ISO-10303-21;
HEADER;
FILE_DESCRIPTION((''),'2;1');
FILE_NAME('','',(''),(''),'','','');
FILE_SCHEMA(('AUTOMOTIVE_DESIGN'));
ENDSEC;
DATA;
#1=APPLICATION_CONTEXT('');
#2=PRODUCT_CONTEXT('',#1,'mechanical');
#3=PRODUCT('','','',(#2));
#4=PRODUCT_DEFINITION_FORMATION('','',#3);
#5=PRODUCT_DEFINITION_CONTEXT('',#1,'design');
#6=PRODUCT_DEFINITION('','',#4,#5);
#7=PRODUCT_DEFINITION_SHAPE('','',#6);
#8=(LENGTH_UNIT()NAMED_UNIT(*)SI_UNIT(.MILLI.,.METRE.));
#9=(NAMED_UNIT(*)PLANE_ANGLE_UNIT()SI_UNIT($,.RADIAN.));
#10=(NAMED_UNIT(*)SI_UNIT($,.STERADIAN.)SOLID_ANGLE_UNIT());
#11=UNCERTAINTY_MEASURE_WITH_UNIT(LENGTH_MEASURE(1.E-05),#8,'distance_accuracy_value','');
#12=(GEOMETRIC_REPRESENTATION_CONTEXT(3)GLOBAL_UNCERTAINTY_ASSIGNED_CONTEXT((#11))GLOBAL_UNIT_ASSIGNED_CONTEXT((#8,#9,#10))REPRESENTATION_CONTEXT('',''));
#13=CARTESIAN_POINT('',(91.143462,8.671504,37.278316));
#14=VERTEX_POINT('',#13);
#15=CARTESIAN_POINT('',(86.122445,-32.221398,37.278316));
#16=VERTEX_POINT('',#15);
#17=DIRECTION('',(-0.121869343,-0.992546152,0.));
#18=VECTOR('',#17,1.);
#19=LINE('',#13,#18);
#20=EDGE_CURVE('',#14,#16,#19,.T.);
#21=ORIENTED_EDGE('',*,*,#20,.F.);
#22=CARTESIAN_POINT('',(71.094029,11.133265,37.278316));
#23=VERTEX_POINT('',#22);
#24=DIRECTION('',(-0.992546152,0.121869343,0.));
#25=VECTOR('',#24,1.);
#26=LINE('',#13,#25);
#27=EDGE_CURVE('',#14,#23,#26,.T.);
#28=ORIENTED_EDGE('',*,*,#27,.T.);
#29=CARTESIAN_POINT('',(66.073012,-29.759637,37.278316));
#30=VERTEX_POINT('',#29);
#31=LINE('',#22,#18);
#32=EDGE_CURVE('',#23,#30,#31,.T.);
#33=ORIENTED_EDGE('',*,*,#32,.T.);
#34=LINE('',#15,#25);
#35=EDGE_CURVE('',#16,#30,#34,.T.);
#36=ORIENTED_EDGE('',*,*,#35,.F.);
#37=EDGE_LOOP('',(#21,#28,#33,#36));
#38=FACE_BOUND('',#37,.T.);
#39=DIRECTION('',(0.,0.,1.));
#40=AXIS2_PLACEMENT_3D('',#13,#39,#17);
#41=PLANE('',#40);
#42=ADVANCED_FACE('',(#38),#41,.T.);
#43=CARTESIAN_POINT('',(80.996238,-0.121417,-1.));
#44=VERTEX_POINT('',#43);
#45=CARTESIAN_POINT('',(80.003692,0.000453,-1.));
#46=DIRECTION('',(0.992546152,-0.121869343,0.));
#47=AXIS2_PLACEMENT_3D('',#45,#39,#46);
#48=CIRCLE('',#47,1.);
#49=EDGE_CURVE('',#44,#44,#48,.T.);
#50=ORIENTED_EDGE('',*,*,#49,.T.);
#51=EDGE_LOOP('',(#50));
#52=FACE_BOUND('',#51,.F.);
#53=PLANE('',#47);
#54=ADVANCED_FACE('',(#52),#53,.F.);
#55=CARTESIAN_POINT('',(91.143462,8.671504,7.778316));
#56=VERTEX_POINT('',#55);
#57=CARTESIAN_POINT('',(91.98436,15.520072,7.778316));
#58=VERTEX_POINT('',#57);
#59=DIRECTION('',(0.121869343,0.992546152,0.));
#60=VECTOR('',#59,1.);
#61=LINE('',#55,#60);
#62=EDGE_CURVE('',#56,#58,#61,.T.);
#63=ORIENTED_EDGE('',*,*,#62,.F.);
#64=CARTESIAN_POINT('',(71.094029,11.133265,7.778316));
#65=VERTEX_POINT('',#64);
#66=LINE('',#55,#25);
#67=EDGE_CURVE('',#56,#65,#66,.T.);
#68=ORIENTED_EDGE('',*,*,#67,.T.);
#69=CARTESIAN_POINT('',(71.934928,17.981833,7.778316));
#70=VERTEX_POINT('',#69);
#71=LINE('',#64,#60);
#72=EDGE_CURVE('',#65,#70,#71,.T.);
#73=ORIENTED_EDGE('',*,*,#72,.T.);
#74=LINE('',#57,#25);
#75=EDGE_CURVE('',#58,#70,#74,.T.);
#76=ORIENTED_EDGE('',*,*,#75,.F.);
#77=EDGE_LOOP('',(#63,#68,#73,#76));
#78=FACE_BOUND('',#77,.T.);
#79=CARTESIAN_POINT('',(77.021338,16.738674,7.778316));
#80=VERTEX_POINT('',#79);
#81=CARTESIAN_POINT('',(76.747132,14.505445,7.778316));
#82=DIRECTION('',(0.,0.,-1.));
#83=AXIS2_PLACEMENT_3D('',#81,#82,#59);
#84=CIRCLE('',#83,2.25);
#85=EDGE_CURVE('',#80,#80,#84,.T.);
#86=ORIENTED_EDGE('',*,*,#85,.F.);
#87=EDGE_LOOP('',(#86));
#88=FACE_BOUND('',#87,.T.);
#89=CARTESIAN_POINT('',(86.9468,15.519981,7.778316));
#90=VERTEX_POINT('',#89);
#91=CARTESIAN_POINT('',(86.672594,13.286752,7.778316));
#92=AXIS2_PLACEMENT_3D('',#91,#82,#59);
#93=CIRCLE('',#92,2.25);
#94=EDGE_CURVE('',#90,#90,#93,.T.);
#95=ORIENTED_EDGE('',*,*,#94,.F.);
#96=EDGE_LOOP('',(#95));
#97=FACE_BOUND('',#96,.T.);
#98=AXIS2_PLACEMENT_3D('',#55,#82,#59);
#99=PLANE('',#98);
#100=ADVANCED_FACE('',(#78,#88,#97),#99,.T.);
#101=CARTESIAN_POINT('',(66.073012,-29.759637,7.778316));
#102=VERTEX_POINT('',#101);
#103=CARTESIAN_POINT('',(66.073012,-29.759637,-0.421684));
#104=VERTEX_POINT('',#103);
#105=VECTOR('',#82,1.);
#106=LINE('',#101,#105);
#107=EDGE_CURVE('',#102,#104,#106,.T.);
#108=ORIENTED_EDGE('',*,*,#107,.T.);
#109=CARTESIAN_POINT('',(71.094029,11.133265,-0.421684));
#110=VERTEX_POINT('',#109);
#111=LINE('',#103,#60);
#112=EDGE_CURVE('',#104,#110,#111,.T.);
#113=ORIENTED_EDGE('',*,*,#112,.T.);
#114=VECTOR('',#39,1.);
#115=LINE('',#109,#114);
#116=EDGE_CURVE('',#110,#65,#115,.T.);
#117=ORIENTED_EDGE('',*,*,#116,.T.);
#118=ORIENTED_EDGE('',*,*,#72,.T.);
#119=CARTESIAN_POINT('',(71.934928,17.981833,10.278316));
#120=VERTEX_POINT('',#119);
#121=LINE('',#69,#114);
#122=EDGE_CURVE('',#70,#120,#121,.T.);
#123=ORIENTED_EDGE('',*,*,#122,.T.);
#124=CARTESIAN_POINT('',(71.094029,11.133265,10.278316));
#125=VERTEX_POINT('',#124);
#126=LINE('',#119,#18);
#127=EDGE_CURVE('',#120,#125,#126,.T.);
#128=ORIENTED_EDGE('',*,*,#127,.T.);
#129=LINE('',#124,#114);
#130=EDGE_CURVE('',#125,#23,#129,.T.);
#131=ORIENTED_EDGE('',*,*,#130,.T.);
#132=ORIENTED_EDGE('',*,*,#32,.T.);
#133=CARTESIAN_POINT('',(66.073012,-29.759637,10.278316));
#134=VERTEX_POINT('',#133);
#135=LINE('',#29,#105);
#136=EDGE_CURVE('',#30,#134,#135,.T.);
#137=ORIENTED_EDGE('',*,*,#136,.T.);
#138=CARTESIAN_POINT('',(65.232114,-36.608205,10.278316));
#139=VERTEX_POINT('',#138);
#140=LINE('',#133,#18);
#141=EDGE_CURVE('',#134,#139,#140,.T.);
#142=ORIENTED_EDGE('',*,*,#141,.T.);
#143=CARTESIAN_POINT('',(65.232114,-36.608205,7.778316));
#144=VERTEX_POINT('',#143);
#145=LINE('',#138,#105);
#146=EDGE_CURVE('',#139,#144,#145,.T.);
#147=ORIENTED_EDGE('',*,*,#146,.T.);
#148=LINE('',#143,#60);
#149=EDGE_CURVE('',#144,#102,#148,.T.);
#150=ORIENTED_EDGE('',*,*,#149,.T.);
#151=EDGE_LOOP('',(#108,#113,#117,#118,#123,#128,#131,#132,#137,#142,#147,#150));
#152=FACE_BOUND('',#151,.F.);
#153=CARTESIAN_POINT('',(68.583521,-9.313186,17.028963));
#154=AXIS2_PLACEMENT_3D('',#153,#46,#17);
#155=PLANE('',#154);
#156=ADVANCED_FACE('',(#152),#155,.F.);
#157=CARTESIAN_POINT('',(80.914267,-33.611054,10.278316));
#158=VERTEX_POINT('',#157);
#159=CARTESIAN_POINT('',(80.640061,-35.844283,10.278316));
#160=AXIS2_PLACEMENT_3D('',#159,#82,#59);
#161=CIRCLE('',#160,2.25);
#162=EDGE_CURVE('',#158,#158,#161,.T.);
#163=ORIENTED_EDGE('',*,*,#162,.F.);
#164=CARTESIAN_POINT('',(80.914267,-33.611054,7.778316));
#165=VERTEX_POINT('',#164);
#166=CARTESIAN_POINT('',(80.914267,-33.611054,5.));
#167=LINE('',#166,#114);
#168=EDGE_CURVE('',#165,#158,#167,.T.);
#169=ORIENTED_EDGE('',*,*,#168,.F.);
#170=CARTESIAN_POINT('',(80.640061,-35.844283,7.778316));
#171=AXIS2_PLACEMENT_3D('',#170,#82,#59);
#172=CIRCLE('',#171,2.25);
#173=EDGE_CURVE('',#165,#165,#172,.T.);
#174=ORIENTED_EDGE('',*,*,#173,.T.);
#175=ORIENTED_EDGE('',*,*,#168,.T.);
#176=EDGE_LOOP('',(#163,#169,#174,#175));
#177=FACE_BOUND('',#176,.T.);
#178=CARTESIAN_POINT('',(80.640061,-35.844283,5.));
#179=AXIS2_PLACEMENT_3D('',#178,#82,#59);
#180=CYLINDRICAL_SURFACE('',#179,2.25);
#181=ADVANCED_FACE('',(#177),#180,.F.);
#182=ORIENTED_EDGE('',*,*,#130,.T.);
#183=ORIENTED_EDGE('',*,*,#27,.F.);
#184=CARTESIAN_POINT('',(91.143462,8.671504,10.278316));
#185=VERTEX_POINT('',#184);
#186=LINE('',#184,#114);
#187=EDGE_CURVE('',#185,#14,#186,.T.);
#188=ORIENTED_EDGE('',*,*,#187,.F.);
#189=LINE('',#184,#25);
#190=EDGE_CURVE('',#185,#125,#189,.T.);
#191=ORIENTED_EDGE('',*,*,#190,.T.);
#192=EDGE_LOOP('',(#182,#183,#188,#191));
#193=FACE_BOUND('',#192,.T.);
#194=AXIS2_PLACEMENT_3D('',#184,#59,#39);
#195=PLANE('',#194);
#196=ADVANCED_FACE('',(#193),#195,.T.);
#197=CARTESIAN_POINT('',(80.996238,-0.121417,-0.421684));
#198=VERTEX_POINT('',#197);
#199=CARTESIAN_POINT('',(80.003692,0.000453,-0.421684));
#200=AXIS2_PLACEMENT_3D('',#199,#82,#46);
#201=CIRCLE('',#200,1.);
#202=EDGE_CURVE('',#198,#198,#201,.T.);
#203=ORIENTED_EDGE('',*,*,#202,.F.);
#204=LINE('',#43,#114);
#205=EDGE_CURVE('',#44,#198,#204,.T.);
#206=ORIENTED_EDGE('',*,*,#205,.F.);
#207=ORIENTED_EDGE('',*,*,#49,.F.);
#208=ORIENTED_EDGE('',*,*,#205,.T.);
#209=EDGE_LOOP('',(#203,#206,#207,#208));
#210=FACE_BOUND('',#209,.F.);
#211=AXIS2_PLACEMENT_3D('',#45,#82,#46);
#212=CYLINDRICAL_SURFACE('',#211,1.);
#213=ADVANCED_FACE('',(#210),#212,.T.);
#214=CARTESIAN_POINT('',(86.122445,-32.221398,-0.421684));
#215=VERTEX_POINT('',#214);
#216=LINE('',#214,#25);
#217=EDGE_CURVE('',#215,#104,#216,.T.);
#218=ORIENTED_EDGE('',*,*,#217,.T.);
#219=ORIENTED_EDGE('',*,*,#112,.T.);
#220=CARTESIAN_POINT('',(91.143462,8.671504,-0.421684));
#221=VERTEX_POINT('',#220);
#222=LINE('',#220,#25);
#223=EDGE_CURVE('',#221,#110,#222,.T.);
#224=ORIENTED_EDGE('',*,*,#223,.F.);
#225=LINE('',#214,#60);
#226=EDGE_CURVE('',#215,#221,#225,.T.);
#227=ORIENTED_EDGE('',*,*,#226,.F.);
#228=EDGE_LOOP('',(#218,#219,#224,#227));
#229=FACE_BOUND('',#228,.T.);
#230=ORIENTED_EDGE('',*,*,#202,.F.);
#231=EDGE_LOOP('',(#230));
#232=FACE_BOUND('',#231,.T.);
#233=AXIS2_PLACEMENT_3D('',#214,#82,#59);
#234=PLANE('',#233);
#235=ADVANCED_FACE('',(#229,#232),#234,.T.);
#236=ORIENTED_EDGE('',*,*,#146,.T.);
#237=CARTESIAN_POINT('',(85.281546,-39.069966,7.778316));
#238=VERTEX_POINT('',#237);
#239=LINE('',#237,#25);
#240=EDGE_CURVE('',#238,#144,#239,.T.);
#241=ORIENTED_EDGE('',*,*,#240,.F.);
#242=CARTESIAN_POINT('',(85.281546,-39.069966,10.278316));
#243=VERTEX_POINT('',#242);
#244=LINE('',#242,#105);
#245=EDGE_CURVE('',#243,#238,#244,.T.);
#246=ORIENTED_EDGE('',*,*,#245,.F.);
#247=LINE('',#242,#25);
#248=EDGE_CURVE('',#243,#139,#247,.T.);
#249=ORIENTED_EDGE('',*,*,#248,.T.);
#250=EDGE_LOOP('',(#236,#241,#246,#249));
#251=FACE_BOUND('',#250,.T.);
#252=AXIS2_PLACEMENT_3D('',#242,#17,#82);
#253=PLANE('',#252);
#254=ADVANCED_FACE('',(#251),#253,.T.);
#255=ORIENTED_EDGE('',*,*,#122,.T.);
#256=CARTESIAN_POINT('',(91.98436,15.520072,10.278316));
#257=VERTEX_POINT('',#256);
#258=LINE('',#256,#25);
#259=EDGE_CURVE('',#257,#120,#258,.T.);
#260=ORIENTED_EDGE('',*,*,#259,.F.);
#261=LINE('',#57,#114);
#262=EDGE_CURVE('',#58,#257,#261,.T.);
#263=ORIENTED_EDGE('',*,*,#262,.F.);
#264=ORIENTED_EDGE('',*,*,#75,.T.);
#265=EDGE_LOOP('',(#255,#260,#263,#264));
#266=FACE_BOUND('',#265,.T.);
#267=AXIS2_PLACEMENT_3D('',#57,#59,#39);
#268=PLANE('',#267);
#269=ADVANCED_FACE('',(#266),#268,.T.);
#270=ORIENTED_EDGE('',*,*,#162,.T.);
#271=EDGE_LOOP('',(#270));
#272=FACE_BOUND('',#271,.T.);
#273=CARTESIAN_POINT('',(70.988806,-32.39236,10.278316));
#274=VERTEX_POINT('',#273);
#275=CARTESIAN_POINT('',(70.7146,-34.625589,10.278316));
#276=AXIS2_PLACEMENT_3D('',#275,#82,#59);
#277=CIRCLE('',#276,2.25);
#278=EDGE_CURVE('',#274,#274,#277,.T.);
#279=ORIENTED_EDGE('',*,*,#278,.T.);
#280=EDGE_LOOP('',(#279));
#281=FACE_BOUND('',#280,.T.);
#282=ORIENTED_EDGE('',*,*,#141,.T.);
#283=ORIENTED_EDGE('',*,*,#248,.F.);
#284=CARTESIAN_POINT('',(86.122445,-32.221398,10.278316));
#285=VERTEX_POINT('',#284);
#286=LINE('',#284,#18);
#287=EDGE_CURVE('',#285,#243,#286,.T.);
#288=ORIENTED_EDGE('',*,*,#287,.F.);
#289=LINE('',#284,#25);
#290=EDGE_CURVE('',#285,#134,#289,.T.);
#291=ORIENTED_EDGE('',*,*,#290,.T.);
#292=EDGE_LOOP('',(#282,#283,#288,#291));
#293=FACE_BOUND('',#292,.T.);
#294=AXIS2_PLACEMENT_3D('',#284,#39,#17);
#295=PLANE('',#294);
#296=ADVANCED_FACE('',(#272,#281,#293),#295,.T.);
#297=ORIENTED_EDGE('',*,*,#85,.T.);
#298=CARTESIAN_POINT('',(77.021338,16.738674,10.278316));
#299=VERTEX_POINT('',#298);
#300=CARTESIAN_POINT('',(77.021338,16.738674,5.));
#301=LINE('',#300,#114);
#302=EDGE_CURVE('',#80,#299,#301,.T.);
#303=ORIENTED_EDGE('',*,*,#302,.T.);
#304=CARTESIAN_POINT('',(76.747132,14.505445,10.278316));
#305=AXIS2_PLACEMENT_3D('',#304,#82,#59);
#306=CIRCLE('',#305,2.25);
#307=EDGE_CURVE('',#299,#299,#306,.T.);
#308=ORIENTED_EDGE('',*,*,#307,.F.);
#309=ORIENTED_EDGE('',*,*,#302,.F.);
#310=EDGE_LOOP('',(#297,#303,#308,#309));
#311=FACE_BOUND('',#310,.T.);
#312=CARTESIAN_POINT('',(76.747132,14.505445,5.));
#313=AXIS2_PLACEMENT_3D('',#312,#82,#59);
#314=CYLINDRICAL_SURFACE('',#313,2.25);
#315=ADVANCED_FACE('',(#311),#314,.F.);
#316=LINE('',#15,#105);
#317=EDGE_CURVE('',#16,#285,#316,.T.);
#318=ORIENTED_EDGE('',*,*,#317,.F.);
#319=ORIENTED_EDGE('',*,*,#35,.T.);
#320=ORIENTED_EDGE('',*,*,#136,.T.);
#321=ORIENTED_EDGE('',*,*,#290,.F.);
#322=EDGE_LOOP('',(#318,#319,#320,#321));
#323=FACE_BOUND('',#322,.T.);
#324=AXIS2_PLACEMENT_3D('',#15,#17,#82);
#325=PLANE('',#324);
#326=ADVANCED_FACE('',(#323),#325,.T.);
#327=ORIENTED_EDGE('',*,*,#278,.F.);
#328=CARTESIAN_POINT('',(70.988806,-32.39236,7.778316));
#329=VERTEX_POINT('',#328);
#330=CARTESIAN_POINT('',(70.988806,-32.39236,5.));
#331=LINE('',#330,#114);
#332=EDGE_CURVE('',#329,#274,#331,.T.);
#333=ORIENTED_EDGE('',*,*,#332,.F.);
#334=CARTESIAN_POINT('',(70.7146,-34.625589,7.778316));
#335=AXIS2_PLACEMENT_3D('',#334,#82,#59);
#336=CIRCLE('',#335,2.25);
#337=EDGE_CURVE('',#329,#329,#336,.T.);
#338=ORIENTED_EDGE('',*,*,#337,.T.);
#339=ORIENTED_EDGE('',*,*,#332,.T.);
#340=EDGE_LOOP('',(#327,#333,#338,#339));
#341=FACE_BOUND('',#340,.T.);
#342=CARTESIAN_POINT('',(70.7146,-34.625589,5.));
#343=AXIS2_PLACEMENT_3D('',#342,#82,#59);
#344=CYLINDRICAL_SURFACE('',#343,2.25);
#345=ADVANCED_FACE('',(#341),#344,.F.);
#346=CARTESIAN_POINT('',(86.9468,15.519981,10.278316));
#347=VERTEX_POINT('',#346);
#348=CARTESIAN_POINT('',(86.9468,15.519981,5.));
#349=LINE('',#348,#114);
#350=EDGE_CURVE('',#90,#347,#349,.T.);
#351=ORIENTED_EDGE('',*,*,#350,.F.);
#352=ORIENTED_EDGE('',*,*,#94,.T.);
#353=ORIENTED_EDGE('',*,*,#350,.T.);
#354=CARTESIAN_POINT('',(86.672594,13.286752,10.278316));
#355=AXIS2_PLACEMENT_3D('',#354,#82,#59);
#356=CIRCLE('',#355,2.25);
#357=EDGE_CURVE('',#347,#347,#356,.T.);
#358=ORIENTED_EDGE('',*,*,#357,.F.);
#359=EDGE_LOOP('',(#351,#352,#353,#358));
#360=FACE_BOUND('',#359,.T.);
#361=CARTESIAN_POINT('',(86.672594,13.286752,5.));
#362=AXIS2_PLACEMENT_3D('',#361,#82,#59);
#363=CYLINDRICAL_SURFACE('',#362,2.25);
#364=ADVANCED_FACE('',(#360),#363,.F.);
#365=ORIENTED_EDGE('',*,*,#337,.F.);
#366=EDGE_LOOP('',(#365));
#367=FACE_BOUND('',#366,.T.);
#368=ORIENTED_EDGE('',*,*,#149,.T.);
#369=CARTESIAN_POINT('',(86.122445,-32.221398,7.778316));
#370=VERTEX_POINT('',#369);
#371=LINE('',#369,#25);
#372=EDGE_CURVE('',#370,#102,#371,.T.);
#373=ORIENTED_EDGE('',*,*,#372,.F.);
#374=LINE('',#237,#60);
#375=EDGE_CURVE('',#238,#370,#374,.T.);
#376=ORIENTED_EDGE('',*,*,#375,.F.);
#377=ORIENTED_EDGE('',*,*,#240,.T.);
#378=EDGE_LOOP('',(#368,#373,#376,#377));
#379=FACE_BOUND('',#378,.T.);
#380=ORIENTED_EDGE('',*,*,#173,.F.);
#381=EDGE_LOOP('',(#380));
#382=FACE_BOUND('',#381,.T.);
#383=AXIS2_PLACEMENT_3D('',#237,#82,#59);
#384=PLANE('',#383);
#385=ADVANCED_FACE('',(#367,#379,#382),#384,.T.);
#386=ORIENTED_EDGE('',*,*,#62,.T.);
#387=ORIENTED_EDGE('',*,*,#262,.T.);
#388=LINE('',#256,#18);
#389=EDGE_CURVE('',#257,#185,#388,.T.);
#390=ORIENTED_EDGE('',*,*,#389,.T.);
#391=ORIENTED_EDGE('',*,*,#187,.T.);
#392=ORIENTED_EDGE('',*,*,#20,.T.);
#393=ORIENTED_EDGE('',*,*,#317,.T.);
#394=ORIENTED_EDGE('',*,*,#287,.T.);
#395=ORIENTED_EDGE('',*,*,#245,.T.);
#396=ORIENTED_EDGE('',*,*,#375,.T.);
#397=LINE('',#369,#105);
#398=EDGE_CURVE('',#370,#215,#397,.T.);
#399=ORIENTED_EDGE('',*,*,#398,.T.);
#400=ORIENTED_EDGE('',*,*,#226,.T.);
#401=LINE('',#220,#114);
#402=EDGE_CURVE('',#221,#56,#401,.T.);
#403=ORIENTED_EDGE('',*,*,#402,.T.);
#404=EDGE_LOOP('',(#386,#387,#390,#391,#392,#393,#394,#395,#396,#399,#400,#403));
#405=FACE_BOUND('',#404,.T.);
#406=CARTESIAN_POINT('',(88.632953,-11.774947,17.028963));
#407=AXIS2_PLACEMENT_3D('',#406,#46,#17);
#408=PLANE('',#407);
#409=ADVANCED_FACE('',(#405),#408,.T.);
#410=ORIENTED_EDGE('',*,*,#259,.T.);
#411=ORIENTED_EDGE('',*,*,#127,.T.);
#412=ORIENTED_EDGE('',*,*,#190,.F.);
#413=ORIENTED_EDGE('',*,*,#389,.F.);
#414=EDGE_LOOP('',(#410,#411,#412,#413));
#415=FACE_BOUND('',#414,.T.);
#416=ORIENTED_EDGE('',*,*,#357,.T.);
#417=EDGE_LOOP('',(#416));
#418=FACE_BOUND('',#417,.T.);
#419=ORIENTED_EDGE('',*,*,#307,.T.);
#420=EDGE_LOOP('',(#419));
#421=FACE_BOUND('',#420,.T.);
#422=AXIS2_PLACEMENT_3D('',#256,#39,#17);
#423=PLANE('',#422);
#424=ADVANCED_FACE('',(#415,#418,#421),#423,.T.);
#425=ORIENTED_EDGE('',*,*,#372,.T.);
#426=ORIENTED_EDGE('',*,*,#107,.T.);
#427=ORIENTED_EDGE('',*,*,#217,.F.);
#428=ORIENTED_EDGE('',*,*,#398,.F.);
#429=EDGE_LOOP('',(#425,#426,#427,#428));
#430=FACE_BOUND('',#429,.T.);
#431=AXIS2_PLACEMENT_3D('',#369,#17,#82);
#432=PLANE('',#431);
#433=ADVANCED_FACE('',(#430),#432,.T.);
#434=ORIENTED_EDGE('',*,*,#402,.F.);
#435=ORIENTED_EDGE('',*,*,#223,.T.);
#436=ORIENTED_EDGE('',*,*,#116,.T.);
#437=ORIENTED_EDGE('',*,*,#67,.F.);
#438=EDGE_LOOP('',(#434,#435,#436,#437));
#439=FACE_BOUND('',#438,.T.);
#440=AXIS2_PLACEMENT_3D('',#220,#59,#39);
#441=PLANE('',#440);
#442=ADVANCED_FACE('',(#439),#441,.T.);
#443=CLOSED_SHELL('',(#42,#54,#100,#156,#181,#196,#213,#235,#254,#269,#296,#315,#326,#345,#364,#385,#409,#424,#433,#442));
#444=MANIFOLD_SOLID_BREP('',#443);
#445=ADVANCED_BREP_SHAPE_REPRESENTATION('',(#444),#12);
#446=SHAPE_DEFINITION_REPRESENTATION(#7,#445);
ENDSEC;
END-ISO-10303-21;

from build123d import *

# Parameters (mm, degrees)
CYLINDER011_R             = 1
CYLINDER011_DEPTH         = 1
CYLINDER003_R             = 2.25
CYLINDER003_DEPTH         = 10
ARRAY_X_COUNT             = 2
ARRAY_X_PITCH             = 49.5
ARRAY_Z_COUNT             = 2
ARRAY_Z_PITCH             = 10
EXTRUDE003_DEPTH          = 20.2
CUT004_ROLL_ANGLE         = -90
CUT004_PLACEMENT_ANGLE    = 90
FUSION002_PLACEMENT_ANGLE = 7


with BuildPart() as cylinder011:
    # Cylinder011 → Cylinder011 (new body)
    with BuildSketch(Plane(origin=(80, 0, -1), x_dir=(1, 0, 0), z_dir=(0, 0, 1))):
        Circle(CYLINDER011_R)
    extrude(amount=CYLINDER011_DEPTH)


with BuildPart() as array:
    # Cylinder003 → Cylinder003 (new body)
    with BuildSketch(Plane.XZ):
        Circle(CYLINDER003_R)
    extrude(amount=CYLINDER003_DEPTH)

    # Array X: Array ×2


with BuildPart() as array_1:
    add(array.part)
    with Locations(*[(i * ARRAY_X_PITCH, 0, 0) for i in range(1, ARRAY_X_COUNT)]):
        add(array.part)

    # Array Z: Array ×2


with BuildPart() as array_2:
    add(array_1.part)
    with Locations(*[(0, 0, i * ARRAY_Z_PITCH) for i in range(1, ARRAY_Z_COUNT)]):
        add(array_1.part)


with BuildPart() as array_3:
    # Array placement: moved
    add(array_2.part.moved(Location((-56.5, 22, 5))))


with BuildPart() as servo_pan:
    # Sketch002 → Extrude003 (new body)
    with BuildSketch(Plane.XY):
        Polygon((-59.135985, 19.221684), (-52.235985, 19.221684), (-52.235985, 27.421684), (-11.035985, 27.421684), (-11.035985, 19.221684), (-4.135985, 19.221684), (-4.135985, 16.721684), (-11.035985, 16.721684), (-11.035985, -10.278316), (-52.235985, -10.278316), (-52.235985, 16.721684), (-59.135985, 16.721684), align=None)
    extrude(amount=EXTRUDE003_DEPTH)

    # Cut004: cut Array
    add(array_3.part, mode=Mode.SUBTRACT)


with BuildPart() as servo_pan_1:
    # Cut004 roll: moved
    add(servo_pan.part.rotate(Axis((0, 0, 0), (1, 0, 0)), CUT004_ROLL_ANGLE))


with BuildPart() as servo_pan_2:
    # Cut004 placement: moved
    add(servo_pan_1.part.moved(Location((90, 21, 27))).rotate(Axis((90, 21, 27), (0, 0, 1)), CUT004_PLACEMENT_ANGLE))

    # Fusion002: union Cylinder011
    add(cylinder011.part)


with BuildPart() as servo_pan_3:
    # Fusion002 placement: moved
    add(servo_pan_2.part.moved(Location((0.6, 9.75, 0))).rotate(Axis((0.6, 9.75, 0), (0, 0, -1)), FUSION002_PLACEMENT_ANGLE))


solid = servo_pan_3.part
